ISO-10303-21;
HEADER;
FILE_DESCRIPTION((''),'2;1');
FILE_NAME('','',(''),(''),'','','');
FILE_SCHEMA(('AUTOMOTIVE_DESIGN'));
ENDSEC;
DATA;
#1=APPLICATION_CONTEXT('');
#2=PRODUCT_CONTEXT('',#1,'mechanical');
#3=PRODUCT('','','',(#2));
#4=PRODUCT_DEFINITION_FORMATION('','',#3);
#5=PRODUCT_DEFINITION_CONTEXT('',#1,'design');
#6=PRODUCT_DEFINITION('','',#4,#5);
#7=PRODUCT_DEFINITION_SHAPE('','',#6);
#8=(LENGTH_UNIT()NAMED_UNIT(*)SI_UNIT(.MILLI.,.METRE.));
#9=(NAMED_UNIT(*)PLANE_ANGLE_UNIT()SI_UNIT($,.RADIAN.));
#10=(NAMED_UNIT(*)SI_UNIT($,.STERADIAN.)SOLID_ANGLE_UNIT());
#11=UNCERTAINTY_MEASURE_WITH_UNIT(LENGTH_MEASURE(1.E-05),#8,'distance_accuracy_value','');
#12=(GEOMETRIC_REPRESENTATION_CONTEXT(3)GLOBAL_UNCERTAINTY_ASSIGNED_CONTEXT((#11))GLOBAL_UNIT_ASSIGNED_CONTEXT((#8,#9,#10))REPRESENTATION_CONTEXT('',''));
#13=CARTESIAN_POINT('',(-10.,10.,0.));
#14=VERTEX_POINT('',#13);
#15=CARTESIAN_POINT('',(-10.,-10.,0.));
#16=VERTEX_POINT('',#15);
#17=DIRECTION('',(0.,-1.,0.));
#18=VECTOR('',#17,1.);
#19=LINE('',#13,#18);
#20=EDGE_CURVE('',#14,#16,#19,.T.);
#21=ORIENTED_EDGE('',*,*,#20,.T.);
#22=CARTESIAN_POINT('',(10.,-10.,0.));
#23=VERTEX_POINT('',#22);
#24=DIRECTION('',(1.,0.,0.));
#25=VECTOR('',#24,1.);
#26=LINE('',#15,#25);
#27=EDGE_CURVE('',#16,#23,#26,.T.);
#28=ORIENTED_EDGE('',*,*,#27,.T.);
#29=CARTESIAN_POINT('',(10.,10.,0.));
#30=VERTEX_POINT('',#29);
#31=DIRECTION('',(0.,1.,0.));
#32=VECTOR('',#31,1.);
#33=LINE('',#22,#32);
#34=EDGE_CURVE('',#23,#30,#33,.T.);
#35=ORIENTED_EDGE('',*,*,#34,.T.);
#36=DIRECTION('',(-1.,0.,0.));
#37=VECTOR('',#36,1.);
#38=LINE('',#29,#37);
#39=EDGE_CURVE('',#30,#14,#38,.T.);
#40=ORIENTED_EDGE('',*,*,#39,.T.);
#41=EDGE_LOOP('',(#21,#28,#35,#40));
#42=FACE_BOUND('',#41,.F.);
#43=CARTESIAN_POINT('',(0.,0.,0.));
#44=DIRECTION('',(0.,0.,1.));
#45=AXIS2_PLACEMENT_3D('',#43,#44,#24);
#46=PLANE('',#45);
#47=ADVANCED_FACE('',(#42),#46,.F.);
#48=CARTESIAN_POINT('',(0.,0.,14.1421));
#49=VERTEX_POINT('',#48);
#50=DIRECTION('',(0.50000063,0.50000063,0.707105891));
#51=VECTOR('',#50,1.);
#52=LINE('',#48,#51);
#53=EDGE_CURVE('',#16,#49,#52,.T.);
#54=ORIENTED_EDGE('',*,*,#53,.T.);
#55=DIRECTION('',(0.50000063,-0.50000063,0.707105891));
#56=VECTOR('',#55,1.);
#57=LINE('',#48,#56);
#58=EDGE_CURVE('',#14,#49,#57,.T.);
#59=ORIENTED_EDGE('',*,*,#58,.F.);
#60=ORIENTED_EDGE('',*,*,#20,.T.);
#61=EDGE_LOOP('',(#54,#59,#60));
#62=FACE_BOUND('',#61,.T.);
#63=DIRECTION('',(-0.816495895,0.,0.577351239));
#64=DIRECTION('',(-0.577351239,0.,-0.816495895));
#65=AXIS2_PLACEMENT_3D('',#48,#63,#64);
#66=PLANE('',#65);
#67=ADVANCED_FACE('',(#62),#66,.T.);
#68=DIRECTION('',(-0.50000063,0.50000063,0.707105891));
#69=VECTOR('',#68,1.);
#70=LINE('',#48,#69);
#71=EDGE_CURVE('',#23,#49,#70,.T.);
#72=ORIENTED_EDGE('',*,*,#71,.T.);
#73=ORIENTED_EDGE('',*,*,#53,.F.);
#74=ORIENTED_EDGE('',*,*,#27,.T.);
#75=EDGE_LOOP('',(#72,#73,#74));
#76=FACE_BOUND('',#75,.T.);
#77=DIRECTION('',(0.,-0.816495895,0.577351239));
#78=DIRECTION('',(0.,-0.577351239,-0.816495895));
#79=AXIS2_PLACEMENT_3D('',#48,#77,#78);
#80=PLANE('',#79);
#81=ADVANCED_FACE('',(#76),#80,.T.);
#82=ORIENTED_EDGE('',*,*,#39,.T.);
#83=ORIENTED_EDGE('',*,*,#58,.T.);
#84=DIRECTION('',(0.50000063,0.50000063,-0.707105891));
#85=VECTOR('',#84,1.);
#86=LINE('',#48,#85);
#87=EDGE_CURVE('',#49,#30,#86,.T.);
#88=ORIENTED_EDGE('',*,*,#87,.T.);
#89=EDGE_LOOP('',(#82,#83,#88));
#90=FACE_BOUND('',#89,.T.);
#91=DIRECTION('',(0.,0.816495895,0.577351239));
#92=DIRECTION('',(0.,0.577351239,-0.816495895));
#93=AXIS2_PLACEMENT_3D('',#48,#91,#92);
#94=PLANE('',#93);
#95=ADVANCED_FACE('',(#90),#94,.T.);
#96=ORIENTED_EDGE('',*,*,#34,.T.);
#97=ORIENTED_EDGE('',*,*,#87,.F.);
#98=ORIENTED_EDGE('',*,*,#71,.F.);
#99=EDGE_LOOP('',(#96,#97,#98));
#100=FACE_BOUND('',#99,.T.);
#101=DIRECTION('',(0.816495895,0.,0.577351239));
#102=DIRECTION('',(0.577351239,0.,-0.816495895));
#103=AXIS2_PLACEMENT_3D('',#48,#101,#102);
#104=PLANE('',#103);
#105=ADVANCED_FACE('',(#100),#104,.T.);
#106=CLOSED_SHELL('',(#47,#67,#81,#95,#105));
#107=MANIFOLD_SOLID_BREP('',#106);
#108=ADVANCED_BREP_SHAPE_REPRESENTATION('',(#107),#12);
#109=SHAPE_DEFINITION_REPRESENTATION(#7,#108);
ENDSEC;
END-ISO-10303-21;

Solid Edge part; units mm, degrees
sketch "Sketch1" plane through (0, 0, 0) normal (0, 0, 1) x (1, 0, 0)
  line L0 (10, -10) -> (10, 10)
  line L1 (10, 10) -> (-10, 10)
  line L2 (-10, 10) -> (-10, -10)
  line L3 (-10, -10) -> (10, -10)
extrude "Protrusion1" add sketch "Sketch1" along normal blind 73.108
sketch "Sketch2" plane through (0, 0, 0) normal (1, 0, 0) x (0, 1, 0)
  line L0 (0, 14.1421) -> (10, 0)
extrude "Cutout1" cut sketch "Sketch2" along normal up to next and the other way up to next material side at (0, 5.0408, 7.0999)
pattern_circular "Pattern1" count 4 over 360 about axis through (0, 0, 0) along (0, 0, 1) of "Cutout1"
